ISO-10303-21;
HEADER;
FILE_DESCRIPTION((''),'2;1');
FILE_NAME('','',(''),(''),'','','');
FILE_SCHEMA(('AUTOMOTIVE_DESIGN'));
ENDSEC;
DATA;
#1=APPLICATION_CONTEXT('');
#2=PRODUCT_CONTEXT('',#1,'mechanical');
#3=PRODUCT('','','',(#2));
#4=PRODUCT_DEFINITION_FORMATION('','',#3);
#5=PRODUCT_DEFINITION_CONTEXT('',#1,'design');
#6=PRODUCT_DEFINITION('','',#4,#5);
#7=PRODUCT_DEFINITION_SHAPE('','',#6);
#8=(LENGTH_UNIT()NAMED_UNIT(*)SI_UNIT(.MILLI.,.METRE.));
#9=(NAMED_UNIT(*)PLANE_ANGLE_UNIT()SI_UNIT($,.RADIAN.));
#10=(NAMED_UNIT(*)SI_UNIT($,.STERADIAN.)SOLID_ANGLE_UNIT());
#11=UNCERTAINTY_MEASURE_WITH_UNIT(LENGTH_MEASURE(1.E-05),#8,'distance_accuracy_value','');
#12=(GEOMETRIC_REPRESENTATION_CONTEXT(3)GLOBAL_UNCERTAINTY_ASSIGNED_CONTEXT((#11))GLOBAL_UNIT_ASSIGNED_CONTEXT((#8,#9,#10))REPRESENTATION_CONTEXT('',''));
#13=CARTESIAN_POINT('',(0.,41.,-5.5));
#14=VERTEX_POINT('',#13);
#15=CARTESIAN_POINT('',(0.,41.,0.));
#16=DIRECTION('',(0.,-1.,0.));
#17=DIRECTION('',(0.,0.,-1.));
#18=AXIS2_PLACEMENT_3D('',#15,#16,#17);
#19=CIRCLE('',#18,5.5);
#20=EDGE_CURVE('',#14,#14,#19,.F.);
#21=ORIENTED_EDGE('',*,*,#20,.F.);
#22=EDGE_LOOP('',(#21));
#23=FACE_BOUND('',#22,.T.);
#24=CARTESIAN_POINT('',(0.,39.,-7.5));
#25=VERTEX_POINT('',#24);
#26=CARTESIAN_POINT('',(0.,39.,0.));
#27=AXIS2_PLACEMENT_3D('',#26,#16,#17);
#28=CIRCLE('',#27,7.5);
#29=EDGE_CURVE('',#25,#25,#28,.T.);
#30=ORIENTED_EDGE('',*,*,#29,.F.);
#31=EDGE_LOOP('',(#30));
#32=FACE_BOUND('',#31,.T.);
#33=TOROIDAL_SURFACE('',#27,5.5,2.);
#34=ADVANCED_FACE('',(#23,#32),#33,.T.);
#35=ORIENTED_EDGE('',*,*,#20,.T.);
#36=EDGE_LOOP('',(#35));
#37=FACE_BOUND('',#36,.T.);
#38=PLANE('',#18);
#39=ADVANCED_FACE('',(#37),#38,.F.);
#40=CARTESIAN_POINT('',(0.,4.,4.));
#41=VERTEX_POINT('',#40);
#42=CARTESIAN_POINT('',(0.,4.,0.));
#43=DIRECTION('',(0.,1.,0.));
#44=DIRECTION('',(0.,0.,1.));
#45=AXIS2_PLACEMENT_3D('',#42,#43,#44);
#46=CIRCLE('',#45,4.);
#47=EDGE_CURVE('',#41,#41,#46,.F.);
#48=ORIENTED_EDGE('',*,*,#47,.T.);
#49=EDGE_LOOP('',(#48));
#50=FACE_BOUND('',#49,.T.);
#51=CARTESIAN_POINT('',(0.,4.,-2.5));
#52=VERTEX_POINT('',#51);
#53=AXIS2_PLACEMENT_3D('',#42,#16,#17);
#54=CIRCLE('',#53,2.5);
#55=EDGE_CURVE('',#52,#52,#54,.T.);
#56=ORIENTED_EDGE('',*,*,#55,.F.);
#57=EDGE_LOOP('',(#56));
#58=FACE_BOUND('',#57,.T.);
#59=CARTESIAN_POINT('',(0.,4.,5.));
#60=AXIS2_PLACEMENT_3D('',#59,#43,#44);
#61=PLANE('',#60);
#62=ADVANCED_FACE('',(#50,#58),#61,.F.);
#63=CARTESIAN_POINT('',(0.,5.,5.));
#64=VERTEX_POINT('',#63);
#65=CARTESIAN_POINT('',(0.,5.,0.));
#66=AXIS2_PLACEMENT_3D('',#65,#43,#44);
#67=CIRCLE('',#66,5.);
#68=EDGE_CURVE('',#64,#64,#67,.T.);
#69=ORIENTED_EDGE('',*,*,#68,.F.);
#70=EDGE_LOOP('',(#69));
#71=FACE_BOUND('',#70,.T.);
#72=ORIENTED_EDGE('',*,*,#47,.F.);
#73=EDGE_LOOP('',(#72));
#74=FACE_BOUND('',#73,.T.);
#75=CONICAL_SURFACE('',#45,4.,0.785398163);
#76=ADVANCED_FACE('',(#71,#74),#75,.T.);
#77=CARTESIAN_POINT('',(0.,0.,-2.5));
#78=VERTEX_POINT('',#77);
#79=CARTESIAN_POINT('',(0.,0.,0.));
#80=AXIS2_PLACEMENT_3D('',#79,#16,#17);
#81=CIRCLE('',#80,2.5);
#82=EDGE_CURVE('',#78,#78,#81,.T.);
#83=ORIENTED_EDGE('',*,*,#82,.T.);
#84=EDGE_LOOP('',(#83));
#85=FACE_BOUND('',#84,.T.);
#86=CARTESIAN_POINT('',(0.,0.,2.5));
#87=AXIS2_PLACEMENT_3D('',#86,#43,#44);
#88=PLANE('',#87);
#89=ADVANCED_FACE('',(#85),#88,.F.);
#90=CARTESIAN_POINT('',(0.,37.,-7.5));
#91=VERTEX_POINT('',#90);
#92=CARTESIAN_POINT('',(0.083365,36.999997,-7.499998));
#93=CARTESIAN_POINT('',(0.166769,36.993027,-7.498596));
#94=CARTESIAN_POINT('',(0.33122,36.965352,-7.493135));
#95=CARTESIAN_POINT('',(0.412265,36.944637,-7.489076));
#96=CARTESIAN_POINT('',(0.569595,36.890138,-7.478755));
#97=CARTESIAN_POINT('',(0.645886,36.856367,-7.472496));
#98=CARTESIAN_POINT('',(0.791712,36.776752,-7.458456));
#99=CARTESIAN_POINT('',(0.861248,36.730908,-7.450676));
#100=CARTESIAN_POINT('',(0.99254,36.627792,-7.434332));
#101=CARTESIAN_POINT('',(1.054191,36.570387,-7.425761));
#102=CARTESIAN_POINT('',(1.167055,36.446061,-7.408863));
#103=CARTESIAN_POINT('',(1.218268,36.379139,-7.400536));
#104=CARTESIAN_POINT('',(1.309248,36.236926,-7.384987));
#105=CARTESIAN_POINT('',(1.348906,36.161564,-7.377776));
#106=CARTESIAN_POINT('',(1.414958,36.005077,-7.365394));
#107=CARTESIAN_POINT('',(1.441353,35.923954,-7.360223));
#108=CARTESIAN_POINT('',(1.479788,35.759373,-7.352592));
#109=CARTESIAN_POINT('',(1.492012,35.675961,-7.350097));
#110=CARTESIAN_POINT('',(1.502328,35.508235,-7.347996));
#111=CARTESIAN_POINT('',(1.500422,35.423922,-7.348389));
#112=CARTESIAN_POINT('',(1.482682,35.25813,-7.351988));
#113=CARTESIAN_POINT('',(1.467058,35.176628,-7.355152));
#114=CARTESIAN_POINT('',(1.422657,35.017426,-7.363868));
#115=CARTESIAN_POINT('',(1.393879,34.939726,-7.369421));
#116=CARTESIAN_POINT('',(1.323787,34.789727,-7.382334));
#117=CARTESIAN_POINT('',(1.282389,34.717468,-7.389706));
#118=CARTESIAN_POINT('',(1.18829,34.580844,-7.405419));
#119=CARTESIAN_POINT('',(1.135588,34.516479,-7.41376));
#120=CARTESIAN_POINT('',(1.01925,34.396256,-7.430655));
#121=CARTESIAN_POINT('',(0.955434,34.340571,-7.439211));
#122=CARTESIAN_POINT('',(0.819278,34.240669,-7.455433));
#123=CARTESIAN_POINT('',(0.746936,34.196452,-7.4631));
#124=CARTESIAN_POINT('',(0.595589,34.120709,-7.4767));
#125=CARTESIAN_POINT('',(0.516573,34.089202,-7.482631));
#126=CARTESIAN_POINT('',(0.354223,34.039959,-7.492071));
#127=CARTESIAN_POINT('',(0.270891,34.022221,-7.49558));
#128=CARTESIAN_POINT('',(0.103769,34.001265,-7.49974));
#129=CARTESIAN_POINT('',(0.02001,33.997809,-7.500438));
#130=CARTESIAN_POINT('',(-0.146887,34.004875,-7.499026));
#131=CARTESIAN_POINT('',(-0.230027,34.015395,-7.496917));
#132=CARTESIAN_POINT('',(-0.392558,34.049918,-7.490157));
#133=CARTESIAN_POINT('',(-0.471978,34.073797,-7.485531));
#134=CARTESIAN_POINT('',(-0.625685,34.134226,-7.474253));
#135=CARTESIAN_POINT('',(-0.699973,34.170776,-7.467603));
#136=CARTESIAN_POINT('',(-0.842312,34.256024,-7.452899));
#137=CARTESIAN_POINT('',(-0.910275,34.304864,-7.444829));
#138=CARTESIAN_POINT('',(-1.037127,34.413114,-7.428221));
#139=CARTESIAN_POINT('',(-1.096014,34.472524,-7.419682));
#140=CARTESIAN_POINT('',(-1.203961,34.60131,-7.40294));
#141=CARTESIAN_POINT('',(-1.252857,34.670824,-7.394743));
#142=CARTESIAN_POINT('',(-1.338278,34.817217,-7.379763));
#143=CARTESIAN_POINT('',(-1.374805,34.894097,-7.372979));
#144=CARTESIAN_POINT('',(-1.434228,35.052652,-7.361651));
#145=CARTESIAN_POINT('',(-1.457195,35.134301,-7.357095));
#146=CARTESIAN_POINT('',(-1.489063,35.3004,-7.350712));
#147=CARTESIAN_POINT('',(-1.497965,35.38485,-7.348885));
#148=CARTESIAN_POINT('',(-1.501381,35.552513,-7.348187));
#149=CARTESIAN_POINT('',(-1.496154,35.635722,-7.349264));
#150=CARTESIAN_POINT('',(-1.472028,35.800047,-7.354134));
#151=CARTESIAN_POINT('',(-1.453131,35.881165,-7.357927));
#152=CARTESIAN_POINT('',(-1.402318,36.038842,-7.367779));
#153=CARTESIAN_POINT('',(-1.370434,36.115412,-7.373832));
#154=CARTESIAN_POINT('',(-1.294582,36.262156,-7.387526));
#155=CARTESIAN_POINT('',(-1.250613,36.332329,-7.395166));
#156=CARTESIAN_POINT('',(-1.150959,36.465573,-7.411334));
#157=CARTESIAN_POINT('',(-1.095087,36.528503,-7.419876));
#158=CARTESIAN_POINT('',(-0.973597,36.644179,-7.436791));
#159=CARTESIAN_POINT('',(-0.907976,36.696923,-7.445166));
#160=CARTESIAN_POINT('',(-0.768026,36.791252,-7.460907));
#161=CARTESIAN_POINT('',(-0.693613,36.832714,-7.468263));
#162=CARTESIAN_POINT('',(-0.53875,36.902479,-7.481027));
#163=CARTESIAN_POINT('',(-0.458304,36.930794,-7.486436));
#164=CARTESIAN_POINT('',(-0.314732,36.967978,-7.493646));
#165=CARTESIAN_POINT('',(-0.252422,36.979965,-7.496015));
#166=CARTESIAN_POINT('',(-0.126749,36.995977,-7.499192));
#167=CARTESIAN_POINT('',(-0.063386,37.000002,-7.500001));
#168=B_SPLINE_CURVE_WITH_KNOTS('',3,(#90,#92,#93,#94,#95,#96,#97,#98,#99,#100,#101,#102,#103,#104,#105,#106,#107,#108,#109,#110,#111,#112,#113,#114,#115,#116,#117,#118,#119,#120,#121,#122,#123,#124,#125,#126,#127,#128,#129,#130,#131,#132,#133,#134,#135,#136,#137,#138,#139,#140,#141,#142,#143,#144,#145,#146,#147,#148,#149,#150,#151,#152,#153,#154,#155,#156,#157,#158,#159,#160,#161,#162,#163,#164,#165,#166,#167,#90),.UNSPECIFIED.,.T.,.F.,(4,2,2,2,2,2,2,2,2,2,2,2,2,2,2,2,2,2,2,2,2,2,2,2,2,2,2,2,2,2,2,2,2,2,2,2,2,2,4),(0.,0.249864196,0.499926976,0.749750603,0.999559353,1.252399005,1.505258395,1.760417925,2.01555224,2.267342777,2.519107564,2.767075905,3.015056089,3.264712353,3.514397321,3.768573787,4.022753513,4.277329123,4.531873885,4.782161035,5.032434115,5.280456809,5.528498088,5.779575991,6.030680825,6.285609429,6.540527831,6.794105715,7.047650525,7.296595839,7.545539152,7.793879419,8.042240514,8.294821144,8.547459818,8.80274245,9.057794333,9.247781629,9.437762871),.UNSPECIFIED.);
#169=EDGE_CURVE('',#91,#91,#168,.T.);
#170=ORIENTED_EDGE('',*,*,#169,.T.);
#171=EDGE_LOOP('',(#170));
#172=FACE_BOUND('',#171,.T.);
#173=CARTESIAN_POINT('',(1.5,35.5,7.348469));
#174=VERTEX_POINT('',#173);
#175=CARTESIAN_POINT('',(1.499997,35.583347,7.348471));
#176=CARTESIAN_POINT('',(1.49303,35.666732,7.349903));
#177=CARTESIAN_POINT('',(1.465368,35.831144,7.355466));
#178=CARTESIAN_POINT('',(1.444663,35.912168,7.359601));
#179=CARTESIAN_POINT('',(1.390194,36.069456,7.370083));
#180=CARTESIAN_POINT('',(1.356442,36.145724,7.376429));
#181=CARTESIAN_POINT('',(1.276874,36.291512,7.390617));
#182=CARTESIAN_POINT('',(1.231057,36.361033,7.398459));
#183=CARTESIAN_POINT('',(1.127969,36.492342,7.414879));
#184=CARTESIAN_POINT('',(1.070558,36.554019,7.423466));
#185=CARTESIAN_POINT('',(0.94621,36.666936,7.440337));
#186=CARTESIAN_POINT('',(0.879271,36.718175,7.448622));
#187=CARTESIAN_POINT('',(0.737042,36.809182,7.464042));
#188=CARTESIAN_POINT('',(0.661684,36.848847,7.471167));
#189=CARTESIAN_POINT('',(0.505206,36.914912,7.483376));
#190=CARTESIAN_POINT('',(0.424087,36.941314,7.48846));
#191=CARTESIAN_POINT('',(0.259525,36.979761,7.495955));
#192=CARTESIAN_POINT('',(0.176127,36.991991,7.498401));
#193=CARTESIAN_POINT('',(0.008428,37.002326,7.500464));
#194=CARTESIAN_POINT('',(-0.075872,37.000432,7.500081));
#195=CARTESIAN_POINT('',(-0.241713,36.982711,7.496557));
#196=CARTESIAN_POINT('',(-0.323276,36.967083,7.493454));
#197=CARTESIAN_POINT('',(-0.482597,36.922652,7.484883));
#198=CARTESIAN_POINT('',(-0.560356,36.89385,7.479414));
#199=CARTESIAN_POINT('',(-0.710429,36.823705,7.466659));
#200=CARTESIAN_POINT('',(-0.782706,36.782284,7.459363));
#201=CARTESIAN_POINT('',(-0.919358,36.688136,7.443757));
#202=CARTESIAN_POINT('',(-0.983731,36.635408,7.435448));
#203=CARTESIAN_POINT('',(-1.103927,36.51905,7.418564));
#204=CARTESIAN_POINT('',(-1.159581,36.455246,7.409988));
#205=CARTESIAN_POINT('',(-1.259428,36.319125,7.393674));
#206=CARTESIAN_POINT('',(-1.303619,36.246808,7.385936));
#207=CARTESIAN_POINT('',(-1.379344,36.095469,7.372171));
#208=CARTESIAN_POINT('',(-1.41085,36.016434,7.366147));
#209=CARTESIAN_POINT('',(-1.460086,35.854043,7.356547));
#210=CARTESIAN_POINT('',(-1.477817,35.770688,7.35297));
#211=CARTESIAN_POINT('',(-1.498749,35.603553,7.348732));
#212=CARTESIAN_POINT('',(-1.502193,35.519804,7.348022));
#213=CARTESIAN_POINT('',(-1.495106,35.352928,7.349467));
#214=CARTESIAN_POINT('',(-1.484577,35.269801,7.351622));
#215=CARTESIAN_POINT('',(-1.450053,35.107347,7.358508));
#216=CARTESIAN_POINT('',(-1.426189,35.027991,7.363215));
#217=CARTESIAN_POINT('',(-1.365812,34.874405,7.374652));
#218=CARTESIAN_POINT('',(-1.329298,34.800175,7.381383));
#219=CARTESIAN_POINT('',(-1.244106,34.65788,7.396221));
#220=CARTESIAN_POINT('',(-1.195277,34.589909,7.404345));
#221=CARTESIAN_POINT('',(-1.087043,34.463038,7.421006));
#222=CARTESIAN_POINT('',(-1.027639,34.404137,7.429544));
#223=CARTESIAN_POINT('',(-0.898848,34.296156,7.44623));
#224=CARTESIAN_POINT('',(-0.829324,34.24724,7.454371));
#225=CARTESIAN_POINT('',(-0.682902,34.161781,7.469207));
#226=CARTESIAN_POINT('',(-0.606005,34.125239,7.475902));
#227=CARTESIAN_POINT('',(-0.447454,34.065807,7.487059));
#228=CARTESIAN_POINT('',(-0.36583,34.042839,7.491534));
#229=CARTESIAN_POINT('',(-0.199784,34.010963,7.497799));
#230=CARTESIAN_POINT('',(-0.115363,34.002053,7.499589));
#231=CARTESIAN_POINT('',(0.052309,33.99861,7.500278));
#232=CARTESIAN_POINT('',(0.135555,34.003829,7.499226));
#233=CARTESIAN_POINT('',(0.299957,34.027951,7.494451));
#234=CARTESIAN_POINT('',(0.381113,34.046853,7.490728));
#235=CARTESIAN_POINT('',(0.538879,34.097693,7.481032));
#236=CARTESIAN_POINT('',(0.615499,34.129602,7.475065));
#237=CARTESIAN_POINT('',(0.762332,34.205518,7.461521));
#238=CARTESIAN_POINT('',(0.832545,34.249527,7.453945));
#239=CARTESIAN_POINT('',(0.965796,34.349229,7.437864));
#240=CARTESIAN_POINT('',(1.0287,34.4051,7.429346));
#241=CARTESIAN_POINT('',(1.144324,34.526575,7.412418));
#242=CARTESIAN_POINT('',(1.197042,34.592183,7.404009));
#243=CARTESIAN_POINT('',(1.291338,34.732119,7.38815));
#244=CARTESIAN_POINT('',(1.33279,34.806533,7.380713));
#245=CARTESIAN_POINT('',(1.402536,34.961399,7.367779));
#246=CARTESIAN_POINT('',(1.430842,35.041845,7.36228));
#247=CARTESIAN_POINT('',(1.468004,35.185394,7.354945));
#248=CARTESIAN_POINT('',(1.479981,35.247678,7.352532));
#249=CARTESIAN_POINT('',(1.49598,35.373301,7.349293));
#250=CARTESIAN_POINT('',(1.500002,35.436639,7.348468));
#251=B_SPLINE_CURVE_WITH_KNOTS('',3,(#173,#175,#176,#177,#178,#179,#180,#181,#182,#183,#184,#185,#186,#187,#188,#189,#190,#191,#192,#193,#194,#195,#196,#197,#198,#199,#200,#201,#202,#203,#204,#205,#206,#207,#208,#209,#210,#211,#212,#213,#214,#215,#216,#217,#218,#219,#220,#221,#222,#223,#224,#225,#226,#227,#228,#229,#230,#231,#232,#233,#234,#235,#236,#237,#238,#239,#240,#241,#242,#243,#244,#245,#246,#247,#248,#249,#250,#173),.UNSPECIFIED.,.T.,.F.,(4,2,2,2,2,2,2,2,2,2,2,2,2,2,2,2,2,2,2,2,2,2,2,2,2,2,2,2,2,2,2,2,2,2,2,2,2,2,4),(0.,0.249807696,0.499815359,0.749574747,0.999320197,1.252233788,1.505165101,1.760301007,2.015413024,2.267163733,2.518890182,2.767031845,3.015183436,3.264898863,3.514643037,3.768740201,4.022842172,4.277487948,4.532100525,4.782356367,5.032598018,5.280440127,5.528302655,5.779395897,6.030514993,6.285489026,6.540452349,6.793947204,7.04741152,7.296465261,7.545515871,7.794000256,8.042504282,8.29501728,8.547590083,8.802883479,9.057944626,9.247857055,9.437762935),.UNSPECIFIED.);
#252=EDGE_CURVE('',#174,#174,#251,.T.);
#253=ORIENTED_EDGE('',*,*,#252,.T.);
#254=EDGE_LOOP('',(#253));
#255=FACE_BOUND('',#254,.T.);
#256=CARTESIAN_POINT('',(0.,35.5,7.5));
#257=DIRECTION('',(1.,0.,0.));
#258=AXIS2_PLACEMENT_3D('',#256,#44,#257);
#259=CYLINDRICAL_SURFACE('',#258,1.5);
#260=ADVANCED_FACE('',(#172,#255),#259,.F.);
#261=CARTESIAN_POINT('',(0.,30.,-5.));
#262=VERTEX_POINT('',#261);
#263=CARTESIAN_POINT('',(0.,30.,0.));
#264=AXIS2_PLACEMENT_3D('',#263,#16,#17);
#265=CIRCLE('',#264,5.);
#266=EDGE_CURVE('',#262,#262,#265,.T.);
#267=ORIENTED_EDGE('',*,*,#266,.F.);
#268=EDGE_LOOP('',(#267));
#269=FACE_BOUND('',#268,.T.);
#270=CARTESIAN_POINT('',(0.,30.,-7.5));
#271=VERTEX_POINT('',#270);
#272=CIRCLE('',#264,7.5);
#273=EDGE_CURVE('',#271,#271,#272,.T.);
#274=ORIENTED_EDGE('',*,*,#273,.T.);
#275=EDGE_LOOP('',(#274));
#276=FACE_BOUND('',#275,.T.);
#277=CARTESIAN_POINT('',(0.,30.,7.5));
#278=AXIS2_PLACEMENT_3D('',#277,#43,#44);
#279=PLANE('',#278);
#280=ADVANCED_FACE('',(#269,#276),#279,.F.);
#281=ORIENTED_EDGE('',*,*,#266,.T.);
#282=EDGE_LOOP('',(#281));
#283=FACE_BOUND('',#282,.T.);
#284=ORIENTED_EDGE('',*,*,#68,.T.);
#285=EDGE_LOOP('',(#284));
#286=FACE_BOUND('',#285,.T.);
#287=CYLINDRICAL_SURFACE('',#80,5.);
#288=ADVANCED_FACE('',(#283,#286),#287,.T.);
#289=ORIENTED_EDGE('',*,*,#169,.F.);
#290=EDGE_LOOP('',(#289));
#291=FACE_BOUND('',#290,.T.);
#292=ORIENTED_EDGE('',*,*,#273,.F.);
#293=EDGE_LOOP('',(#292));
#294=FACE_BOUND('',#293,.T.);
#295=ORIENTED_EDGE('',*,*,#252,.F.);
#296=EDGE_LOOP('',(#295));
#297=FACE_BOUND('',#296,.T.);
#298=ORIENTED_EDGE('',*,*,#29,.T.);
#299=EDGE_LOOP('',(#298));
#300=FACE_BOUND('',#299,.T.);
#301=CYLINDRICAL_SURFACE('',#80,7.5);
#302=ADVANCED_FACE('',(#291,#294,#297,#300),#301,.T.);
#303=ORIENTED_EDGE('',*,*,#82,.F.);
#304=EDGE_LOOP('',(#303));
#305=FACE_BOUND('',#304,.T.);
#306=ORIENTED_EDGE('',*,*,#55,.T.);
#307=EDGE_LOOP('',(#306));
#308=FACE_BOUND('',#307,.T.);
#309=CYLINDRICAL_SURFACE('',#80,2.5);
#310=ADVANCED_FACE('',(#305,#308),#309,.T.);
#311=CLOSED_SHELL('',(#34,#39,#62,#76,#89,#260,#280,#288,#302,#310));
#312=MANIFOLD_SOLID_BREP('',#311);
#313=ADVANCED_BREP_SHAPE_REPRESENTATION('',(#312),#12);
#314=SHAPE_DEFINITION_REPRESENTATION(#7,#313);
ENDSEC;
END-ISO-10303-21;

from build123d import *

# Parameters (mm, degrees)
SKETCH_2_W     = 15
SKETCH_2_H     = 1.5
FILLET_1_R     = 2
CHAMFER_1_SIZE = 1


with BuildPart() as part:
    # 草圖1 → 旋轉1 (revolve)
    with BuildSketch(Plane(origin=(0, 0, 0), x_dir=(0, 0, -1), z_dir=(1, 0, 0)), mode=Mode.PRIVATE) as revolve_1_sk:
        Polygon((0, 41), (-7.5, 41), (-7.5, 30), (-5, 30), (-5, 4), (-2.5, 4), (-2.5, 0), (0, 0), align=None)
    revolve(revolve_1_sk.sketch.rotate(Axis((0, 0, 0), (0, 1, 0)), 180), axis=Axis((0, 0, 0), (0, 1, 0)))

    # 草圖2 → 除料-旋轉1 (revolve, cut)
    with BuildSketch(Plane(origin=(0, 0, 0), x_dir=(0, 0, -1), z_dir=(1, 0, 0)), mode=Mode.PRIVATE) as cut_revolve_1_sk:
        with Locations((0, 36.25)):
            Rectangle(SKETCH_2_W, SKETCH_2_H)
    revolve(cut_revolve_1_sk.sketch.rotate(Axis((0, 35.5, 7.5), (0, 0, -1)), 90), axis=Axis((0, 35.5, 7.5), (0, 0, -1)), mode=Mode.SUBTRACT)

    # 圓角1
    fillet_1_edges = [part.edges().sort_by_distance(p)[0] for p in [
        (0, 41, 7.5),
    ]]
    fillet(fillet_1_edges, radius=FILLET_1_R)

    # 導角1
    chamfer_1_edges = [part.edges().sort_by_distance(p)[0] for p in [
        (0, 4, 5),
    ]]
    chamfer(chamfer_1_edges, length=CHAMFER_1_SIZE)


solid = part.part
